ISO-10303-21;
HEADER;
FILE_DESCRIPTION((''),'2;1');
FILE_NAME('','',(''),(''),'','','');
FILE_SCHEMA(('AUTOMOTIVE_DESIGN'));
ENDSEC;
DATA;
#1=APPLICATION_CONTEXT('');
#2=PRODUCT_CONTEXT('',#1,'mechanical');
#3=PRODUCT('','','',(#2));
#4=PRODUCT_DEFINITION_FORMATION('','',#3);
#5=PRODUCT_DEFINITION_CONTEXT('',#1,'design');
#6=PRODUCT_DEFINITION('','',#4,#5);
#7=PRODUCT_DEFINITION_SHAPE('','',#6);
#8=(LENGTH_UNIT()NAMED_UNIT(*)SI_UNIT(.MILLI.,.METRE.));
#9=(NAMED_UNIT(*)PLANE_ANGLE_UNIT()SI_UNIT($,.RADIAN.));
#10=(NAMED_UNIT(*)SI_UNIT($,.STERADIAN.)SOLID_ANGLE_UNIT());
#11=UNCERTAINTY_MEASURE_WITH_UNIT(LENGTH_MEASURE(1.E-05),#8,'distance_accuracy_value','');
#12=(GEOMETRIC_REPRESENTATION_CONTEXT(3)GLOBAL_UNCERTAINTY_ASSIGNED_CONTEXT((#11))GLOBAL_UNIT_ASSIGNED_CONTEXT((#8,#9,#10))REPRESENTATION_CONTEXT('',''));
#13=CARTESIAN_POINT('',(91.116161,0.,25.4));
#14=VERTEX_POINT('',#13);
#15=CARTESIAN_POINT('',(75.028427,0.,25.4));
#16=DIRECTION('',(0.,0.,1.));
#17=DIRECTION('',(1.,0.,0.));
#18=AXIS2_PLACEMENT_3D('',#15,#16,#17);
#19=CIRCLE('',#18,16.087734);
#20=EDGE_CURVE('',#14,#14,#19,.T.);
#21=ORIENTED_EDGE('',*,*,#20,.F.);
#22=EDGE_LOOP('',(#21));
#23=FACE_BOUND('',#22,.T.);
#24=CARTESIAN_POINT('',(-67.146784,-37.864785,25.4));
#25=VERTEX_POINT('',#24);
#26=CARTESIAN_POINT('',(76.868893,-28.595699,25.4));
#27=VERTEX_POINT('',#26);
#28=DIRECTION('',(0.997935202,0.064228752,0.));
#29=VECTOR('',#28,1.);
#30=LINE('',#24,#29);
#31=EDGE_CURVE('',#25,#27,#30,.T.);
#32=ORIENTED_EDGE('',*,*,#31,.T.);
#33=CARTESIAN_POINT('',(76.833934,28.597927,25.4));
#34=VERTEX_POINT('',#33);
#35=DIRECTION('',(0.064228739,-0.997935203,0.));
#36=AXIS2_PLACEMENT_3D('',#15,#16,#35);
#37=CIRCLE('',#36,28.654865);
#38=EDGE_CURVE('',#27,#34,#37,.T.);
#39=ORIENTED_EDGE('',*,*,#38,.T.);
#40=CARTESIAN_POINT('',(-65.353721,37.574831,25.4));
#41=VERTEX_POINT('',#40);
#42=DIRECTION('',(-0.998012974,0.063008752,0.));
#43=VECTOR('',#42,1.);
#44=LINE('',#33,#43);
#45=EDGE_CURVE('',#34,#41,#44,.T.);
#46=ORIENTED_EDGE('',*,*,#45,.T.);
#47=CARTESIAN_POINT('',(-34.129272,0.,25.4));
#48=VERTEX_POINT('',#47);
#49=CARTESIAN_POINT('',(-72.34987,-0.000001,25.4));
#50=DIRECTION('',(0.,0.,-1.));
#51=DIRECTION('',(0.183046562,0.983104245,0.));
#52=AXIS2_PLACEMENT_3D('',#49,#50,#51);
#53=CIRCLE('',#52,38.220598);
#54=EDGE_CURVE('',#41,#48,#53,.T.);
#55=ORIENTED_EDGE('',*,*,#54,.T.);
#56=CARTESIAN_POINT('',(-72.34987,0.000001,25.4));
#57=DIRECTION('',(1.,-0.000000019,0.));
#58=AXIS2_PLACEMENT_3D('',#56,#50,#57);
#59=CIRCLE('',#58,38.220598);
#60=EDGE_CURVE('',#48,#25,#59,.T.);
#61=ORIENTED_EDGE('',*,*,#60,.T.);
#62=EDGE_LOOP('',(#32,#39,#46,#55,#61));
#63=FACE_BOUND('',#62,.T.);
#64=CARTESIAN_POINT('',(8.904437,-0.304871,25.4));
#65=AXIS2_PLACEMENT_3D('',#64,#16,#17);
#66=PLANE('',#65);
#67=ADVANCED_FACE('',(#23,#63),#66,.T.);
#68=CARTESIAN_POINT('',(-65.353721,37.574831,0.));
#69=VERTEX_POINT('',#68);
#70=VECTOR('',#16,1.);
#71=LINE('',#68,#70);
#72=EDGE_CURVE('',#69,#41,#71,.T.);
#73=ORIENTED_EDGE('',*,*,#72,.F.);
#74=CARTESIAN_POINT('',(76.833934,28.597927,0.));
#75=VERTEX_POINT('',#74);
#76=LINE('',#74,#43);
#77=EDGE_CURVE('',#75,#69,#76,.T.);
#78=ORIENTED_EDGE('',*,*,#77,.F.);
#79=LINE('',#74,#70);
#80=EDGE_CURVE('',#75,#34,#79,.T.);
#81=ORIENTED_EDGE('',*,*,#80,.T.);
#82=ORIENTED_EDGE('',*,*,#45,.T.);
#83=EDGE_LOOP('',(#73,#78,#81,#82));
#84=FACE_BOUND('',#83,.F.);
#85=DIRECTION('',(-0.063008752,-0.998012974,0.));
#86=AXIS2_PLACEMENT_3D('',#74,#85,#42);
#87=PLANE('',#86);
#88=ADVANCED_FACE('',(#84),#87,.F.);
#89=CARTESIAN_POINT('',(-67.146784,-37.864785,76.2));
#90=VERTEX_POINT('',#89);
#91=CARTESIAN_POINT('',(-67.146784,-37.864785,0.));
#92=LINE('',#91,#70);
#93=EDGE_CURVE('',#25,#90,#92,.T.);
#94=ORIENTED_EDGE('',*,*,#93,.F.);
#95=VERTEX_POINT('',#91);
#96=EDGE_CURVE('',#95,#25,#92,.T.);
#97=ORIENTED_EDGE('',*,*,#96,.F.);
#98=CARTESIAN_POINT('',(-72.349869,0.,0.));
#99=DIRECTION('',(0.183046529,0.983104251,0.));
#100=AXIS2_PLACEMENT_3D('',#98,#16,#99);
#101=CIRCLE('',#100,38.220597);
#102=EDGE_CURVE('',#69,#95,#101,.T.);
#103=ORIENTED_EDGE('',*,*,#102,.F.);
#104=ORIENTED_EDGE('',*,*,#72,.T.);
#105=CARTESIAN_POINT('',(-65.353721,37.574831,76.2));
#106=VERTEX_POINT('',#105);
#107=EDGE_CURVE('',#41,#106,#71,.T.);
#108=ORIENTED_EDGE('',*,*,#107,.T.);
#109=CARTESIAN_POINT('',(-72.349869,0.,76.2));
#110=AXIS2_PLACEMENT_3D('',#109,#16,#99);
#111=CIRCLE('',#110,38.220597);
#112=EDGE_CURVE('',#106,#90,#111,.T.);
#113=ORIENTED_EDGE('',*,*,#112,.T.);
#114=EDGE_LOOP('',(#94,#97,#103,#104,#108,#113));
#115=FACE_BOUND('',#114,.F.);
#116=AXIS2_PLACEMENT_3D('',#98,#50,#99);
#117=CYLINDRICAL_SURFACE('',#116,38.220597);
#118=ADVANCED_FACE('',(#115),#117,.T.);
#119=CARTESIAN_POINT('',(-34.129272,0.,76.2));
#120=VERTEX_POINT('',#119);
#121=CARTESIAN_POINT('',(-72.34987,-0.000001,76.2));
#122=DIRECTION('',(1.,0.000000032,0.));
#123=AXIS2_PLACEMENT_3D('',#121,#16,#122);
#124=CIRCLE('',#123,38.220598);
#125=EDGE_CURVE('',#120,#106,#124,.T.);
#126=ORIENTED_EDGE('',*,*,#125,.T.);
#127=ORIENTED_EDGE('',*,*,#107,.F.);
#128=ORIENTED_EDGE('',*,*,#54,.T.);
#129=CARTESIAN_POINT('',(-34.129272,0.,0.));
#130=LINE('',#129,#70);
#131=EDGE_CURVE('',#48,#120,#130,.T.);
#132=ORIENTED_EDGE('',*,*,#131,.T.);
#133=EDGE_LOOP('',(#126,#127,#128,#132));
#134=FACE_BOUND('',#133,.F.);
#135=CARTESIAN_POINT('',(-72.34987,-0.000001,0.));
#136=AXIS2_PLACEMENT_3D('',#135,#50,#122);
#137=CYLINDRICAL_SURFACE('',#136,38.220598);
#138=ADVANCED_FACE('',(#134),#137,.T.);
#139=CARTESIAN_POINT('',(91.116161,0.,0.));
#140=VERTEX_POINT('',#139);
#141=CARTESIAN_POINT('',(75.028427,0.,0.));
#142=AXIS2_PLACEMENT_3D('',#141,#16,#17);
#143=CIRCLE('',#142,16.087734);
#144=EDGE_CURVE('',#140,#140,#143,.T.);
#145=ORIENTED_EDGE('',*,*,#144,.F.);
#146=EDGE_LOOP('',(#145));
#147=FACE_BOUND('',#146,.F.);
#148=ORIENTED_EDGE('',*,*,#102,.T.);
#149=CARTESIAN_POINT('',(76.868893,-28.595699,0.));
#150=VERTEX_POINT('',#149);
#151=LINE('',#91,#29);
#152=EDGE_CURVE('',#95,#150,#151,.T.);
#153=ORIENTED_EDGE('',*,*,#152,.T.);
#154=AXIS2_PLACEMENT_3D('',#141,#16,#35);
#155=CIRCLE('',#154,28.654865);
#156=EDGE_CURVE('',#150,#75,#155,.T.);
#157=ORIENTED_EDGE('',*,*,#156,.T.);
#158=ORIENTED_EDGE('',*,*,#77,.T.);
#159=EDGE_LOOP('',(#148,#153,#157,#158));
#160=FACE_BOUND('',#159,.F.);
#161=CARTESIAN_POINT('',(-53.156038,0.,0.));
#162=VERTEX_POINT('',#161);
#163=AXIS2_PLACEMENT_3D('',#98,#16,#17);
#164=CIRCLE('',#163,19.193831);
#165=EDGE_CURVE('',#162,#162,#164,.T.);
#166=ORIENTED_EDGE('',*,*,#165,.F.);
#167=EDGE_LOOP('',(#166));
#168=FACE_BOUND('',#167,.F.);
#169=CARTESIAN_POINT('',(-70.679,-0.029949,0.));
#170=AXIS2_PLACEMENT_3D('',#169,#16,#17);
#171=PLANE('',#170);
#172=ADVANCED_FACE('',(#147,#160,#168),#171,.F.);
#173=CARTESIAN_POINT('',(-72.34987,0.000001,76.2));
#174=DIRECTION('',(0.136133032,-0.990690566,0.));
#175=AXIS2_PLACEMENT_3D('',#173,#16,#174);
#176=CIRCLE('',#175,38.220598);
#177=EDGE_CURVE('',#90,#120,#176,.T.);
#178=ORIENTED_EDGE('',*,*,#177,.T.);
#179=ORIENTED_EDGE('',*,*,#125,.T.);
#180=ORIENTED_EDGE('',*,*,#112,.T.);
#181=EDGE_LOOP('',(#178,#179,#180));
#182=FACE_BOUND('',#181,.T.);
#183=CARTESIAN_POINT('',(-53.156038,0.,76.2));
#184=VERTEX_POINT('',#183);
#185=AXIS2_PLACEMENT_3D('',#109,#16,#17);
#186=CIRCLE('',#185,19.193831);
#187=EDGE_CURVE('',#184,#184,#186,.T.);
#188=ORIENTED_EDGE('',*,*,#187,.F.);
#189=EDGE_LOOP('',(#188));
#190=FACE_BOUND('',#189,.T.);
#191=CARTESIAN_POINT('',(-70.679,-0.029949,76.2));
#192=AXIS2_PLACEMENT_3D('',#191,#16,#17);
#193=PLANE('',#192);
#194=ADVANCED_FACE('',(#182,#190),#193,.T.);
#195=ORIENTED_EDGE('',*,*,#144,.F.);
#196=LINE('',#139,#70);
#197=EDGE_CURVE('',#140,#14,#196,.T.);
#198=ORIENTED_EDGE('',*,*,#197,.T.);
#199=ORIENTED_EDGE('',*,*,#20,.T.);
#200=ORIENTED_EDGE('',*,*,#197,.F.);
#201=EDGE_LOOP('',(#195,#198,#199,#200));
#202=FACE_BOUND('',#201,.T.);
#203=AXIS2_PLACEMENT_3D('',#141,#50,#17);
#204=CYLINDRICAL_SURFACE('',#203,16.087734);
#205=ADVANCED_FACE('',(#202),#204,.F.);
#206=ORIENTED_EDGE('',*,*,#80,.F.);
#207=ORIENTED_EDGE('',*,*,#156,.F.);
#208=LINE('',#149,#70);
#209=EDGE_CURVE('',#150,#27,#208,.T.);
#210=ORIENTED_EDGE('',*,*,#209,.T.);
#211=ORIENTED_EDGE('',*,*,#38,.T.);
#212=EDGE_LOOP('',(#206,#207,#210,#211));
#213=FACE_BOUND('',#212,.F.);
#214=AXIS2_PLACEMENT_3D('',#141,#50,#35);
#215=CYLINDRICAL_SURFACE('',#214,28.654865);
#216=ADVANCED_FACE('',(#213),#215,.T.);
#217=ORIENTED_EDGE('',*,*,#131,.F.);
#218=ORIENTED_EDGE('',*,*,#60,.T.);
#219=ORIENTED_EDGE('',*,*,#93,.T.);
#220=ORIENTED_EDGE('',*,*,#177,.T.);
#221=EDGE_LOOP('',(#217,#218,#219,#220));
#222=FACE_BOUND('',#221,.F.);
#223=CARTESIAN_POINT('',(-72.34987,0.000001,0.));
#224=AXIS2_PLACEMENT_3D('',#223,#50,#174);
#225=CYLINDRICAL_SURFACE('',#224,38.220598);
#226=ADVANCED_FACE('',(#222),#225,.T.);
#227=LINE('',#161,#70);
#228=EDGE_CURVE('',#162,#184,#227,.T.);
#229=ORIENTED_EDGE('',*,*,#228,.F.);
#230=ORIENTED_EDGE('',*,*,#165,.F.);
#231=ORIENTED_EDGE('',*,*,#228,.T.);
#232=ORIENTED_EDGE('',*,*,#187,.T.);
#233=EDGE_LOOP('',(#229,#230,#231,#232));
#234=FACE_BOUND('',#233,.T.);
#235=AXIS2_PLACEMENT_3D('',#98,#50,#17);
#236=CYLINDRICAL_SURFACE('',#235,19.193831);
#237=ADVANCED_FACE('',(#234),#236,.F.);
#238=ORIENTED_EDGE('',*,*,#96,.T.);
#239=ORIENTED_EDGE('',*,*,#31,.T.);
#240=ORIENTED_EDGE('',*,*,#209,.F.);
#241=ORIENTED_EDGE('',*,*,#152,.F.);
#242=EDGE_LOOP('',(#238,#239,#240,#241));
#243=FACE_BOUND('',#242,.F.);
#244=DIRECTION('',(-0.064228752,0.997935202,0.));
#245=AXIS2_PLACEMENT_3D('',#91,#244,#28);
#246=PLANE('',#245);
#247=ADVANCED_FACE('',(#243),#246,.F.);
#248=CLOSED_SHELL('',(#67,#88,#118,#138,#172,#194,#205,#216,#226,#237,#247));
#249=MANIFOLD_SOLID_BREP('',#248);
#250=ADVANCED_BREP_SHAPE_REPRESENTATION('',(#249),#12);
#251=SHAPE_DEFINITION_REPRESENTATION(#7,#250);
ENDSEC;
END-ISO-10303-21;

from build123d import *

# Parameters (mm, degrees)
F0_R     = 16.087734
F1_DEPTH = 25.4
F0_R_2   = 19.193831
F2_DEPTH = 76.2


with BuildPart() as f1:
    # F0 (on Top) → F1 (new body)
    with BuildSketch(Plane.XY):
        with BuildLine():
            ThreePointArc((-65.353721, 37.574831), (-42.954198, 24.427618), (-34.129272, 0))
            ThreePointArc((-34.129272, 0), (-43.542934, -25.119206), (-67.146784, -37.864785))
            Line((-67.146784, -37.864785), (76.868893, -28.595699))
            ThreePointArc((76.868893, -28.595699), (103.683287, 0.017515), (76.833934, 28.597927))
            Line((76.833934, 28.597927), (-65.353721, 37.574831))
        make_face()
        with Locations((75.028427, 0)):
            Circle(F0_R, mode=Mode.SUBTRACT)
    extrude(amount=F1_DEPTH)

    # F0 (on Top) → F2 (join)
    with BuildSketch(Plane.XY):
        with BuildLine():
            ThreePointArc((-67.146784, -37.864785), (-43.542934, -25.119206), (-34.129272, 0))
            ThreePointArc((-34.129272, 0), (-42.954198, 24.427618), (-65.353721, 37.574831))
            ThreePointArc((-65.353721, 37.574831), (-110.559674, 0.908178), (-67.146784, -37.864785))
        make_face()
        with Locations((-72.349869, 0)):
            Circle(F0_R_2, mode=Mode.SUBTRACT)
    extrude(amount=F2_DEPTH)


solid = f1.part
